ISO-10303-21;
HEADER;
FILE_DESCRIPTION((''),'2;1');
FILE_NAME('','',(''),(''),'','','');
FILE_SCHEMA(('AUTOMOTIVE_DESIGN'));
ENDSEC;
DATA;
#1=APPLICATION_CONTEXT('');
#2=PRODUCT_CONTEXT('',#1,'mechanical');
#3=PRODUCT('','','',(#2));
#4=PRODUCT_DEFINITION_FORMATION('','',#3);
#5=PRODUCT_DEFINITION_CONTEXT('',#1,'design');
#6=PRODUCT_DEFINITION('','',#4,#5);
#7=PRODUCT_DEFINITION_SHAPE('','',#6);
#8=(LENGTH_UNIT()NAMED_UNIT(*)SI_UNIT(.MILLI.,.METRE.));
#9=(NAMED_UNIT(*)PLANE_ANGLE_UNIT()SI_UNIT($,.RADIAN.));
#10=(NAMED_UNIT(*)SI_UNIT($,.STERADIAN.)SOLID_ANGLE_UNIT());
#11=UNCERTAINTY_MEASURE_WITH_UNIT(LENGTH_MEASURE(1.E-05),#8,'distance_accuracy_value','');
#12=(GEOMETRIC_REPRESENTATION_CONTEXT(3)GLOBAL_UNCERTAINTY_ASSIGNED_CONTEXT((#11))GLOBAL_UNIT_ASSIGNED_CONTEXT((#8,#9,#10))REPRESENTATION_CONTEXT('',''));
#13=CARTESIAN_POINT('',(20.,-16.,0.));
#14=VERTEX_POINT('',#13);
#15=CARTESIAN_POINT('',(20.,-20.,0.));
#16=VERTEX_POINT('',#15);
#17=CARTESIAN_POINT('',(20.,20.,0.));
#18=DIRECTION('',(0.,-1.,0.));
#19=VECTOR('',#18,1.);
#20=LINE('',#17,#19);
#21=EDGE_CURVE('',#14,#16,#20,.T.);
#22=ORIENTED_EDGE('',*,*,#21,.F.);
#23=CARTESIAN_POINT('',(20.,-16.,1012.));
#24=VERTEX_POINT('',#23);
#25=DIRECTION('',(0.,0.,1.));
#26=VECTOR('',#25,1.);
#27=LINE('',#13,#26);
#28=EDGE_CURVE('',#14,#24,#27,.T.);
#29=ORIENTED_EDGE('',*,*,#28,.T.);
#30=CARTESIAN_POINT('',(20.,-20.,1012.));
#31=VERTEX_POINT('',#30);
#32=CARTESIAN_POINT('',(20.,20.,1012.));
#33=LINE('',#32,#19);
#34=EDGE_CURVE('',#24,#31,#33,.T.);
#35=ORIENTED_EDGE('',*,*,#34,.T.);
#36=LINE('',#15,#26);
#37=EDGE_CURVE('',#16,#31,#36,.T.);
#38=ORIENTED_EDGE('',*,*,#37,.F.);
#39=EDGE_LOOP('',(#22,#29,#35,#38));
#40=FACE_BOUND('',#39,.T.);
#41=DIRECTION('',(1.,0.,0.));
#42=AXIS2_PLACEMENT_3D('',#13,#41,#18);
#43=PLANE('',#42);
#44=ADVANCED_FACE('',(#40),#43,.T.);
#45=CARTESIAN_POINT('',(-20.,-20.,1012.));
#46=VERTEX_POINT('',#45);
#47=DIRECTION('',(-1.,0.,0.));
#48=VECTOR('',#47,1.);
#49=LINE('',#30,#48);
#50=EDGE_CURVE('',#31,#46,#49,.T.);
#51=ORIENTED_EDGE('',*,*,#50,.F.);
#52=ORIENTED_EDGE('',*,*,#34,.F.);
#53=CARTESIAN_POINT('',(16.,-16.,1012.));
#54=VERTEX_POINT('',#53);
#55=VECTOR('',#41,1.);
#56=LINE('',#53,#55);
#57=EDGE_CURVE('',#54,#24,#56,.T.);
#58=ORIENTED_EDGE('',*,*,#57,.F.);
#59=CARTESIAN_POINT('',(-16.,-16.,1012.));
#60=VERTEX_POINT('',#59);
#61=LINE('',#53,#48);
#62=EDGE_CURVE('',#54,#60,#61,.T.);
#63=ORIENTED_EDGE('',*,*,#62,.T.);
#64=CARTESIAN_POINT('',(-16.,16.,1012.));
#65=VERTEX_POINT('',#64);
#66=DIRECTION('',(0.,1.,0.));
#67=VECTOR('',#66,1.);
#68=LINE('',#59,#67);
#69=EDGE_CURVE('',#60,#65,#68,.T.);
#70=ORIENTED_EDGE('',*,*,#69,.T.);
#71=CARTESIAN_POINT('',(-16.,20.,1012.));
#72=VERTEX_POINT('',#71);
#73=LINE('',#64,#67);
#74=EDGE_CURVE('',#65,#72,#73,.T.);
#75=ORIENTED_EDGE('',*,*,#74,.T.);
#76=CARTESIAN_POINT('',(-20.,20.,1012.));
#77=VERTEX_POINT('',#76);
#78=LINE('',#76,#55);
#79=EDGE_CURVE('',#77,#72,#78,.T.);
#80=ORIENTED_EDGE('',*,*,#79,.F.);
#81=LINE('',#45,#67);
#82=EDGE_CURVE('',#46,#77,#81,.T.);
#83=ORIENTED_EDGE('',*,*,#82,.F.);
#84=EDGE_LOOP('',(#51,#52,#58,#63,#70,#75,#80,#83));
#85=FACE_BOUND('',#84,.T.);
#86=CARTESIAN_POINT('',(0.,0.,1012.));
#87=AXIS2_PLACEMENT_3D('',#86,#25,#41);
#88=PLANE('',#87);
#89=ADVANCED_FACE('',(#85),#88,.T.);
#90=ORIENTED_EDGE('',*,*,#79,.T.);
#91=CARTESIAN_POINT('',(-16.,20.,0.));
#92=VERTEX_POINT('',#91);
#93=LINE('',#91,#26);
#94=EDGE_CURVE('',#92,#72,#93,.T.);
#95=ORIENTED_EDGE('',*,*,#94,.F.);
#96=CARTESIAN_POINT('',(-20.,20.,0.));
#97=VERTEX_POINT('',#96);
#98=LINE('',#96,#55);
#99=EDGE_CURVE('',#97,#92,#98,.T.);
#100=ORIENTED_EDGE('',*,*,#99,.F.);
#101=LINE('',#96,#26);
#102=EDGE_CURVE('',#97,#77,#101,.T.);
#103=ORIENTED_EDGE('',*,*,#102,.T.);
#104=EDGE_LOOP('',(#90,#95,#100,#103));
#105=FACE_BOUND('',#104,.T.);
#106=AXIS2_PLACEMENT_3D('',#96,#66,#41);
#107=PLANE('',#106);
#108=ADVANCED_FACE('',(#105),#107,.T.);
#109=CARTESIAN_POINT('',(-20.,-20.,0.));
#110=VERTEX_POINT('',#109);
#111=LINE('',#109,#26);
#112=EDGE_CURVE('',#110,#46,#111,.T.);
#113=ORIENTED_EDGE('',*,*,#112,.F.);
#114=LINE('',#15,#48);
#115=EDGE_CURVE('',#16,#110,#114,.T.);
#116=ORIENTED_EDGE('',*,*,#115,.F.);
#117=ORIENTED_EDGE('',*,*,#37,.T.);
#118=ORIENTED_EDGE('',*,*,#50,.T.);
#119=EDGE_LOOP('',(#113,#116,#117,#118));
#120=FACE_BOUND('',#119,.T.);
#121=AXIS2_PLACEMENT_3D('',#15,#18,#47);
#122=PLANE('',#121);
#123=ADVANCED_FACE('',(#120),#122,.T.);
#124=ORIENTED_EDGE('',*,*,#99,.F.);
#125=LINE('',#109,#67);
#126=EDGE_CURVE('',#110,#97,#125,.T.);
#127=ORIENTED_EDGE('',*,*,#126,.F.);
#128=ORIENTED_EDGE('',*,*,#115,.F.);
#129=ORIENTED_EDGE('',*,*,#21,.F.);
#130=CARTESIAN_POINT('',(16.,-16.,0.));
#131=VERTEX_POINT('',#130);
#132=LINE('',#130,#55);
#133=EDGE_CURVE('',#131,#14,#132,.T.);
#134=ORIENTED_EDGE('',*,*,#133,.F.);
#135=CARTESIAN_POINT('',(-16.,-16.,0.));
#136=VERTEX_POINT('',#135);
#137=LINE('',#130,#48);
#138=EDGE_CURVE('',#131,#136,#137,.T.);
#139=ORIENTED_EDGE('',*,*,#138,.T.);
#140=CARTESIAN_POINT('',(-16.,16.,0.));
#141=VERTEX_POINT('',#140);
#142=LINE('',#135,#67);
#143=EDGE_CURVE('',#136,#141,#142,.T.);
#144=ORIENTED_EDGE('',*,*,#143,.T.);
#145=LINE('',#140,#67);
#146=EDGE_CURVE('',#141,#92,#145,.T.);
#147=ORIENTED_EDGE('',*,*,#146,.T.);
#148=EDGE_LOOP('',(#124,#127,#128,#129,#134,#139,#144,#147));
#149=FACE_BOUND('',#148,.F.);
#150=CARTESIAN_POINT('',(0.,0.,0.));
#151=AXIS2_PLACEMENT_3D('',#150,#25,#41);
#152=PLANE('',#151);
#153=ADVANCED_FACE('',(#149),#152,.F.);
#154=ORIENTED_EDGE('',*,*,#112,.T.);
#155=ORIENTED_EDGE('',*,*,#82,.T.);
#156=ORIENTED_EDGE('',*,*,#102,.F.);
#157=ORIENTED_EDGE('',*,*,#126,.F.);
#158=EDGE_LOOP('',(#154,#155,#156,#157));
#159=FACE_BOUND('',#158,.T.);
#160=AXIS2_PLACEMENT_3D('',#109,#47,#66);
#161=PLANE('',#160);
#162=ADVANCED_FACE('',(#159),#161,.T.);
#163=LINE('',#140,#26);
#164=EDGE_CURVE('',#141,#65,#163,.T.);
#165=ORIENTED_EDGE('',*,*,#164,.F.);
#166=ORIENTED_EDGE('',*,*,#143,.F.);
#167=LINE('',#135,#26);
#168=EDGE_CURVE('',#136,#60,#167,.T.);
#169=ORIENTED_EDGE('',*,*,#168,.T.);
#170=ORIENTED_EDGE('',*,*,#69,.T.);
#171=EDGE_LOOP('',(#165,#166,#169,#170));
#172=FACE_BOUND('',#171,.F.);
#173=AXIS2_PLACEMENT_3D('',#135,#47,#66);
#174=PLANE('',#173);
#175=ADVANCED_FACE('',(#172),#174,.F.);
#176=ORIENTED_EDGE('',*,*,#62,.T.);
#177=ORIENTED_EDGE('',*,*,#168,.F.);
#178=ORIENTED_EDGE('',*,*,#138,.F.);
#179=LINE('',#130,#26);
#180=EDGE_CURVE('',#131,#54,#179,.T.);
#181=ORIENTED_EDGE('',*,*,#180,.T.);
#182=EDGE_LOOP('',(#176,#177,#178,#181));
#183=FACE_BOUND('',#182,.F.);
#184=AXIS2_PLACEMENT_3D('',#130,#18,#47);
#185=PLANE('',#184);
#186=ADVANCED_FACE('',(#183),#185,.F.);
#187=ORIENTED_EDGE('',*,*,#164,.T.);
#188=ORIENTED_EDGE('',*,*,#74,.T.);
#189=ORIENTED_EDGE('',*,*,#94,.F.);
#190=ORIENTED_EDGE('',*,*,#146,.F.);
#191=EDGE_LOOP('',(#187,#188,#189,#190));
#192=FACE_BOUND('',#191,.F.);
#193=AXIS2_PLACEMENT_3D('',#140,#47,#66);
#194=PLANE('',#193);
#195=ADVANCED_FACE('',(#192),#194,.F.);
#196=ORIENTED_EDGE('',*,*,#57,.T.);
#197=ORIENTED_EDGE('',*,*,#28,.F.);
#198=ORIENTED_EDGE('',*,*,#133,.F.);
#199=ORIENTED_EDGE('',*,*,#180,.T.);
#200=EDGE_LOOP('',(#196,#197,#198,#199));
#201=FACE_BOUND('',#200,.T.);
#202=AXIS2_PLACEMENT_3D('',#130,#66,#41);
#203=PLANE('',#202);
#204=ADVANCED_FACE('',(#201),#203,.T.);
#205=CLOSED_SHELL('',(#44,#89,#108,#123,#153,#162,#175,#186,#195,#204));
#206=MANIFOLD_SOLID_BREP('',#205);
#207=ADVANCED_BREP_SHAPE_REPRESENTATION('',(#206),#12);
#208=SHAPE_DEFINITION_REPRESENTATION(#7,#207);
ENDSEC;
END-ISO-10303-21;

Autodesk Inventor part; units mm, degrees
ref_plane "YZ Plane" through (0, 0, 0) normal (1, 0, 0) x (0, 1, 0)
ref_plane "XZ Plane" through (0, 0, 0) normal (0, 1, 0) x (-1, 0, 0)
ref_plane "XY Plane" through (0, 0, 0) normal (0, 0, 1) x (1, 0, 0)
sketch "Boceto1" plane through (0, 0, 0) normal (0, 0, 1) x (1, 0, 0)
  line L0 (-20, 20) -> (20, 20)
  line L1 (20, 20) -> (20, -20)
  line L2 (20, -20) -> (-20, -20)
  line L3 (-20, -20) -> (-20, 20)
  line L4 (-20, 20) -> (20, -20) construction
  line L5 (-16, 16) -> (16, 16)
  line L6 (16, 16) -> (16, -16)
  line L7 (16, -16) -> (-16, -16)
  line L8 (-16, -16) -> (-16, 16)
  line L9 (-16, 0) -> (-20, 0) construction
  line L10 (0, 16) -> (0, 20) construction
  line L11 (16, 0) -> (20, 0) construction
  line L12 (0, -16) -> (0, -20) construction
  line L13 (-16, 16) -> (-16, 20)
  line L14 (16, -16) -> (20, -16)
  point P0 (0, 0)
  point P1 (0, 0)
  dimension "d0" = 40
  dimension "d1" = 4
  dimension "d4" = 40
extrude "Extrusión1" add sketch "Boceto1" along normal blind 1012 contours L0 L13 L8 L7 L14 L1 L2 L3
properties part number "C_358_40_2"
